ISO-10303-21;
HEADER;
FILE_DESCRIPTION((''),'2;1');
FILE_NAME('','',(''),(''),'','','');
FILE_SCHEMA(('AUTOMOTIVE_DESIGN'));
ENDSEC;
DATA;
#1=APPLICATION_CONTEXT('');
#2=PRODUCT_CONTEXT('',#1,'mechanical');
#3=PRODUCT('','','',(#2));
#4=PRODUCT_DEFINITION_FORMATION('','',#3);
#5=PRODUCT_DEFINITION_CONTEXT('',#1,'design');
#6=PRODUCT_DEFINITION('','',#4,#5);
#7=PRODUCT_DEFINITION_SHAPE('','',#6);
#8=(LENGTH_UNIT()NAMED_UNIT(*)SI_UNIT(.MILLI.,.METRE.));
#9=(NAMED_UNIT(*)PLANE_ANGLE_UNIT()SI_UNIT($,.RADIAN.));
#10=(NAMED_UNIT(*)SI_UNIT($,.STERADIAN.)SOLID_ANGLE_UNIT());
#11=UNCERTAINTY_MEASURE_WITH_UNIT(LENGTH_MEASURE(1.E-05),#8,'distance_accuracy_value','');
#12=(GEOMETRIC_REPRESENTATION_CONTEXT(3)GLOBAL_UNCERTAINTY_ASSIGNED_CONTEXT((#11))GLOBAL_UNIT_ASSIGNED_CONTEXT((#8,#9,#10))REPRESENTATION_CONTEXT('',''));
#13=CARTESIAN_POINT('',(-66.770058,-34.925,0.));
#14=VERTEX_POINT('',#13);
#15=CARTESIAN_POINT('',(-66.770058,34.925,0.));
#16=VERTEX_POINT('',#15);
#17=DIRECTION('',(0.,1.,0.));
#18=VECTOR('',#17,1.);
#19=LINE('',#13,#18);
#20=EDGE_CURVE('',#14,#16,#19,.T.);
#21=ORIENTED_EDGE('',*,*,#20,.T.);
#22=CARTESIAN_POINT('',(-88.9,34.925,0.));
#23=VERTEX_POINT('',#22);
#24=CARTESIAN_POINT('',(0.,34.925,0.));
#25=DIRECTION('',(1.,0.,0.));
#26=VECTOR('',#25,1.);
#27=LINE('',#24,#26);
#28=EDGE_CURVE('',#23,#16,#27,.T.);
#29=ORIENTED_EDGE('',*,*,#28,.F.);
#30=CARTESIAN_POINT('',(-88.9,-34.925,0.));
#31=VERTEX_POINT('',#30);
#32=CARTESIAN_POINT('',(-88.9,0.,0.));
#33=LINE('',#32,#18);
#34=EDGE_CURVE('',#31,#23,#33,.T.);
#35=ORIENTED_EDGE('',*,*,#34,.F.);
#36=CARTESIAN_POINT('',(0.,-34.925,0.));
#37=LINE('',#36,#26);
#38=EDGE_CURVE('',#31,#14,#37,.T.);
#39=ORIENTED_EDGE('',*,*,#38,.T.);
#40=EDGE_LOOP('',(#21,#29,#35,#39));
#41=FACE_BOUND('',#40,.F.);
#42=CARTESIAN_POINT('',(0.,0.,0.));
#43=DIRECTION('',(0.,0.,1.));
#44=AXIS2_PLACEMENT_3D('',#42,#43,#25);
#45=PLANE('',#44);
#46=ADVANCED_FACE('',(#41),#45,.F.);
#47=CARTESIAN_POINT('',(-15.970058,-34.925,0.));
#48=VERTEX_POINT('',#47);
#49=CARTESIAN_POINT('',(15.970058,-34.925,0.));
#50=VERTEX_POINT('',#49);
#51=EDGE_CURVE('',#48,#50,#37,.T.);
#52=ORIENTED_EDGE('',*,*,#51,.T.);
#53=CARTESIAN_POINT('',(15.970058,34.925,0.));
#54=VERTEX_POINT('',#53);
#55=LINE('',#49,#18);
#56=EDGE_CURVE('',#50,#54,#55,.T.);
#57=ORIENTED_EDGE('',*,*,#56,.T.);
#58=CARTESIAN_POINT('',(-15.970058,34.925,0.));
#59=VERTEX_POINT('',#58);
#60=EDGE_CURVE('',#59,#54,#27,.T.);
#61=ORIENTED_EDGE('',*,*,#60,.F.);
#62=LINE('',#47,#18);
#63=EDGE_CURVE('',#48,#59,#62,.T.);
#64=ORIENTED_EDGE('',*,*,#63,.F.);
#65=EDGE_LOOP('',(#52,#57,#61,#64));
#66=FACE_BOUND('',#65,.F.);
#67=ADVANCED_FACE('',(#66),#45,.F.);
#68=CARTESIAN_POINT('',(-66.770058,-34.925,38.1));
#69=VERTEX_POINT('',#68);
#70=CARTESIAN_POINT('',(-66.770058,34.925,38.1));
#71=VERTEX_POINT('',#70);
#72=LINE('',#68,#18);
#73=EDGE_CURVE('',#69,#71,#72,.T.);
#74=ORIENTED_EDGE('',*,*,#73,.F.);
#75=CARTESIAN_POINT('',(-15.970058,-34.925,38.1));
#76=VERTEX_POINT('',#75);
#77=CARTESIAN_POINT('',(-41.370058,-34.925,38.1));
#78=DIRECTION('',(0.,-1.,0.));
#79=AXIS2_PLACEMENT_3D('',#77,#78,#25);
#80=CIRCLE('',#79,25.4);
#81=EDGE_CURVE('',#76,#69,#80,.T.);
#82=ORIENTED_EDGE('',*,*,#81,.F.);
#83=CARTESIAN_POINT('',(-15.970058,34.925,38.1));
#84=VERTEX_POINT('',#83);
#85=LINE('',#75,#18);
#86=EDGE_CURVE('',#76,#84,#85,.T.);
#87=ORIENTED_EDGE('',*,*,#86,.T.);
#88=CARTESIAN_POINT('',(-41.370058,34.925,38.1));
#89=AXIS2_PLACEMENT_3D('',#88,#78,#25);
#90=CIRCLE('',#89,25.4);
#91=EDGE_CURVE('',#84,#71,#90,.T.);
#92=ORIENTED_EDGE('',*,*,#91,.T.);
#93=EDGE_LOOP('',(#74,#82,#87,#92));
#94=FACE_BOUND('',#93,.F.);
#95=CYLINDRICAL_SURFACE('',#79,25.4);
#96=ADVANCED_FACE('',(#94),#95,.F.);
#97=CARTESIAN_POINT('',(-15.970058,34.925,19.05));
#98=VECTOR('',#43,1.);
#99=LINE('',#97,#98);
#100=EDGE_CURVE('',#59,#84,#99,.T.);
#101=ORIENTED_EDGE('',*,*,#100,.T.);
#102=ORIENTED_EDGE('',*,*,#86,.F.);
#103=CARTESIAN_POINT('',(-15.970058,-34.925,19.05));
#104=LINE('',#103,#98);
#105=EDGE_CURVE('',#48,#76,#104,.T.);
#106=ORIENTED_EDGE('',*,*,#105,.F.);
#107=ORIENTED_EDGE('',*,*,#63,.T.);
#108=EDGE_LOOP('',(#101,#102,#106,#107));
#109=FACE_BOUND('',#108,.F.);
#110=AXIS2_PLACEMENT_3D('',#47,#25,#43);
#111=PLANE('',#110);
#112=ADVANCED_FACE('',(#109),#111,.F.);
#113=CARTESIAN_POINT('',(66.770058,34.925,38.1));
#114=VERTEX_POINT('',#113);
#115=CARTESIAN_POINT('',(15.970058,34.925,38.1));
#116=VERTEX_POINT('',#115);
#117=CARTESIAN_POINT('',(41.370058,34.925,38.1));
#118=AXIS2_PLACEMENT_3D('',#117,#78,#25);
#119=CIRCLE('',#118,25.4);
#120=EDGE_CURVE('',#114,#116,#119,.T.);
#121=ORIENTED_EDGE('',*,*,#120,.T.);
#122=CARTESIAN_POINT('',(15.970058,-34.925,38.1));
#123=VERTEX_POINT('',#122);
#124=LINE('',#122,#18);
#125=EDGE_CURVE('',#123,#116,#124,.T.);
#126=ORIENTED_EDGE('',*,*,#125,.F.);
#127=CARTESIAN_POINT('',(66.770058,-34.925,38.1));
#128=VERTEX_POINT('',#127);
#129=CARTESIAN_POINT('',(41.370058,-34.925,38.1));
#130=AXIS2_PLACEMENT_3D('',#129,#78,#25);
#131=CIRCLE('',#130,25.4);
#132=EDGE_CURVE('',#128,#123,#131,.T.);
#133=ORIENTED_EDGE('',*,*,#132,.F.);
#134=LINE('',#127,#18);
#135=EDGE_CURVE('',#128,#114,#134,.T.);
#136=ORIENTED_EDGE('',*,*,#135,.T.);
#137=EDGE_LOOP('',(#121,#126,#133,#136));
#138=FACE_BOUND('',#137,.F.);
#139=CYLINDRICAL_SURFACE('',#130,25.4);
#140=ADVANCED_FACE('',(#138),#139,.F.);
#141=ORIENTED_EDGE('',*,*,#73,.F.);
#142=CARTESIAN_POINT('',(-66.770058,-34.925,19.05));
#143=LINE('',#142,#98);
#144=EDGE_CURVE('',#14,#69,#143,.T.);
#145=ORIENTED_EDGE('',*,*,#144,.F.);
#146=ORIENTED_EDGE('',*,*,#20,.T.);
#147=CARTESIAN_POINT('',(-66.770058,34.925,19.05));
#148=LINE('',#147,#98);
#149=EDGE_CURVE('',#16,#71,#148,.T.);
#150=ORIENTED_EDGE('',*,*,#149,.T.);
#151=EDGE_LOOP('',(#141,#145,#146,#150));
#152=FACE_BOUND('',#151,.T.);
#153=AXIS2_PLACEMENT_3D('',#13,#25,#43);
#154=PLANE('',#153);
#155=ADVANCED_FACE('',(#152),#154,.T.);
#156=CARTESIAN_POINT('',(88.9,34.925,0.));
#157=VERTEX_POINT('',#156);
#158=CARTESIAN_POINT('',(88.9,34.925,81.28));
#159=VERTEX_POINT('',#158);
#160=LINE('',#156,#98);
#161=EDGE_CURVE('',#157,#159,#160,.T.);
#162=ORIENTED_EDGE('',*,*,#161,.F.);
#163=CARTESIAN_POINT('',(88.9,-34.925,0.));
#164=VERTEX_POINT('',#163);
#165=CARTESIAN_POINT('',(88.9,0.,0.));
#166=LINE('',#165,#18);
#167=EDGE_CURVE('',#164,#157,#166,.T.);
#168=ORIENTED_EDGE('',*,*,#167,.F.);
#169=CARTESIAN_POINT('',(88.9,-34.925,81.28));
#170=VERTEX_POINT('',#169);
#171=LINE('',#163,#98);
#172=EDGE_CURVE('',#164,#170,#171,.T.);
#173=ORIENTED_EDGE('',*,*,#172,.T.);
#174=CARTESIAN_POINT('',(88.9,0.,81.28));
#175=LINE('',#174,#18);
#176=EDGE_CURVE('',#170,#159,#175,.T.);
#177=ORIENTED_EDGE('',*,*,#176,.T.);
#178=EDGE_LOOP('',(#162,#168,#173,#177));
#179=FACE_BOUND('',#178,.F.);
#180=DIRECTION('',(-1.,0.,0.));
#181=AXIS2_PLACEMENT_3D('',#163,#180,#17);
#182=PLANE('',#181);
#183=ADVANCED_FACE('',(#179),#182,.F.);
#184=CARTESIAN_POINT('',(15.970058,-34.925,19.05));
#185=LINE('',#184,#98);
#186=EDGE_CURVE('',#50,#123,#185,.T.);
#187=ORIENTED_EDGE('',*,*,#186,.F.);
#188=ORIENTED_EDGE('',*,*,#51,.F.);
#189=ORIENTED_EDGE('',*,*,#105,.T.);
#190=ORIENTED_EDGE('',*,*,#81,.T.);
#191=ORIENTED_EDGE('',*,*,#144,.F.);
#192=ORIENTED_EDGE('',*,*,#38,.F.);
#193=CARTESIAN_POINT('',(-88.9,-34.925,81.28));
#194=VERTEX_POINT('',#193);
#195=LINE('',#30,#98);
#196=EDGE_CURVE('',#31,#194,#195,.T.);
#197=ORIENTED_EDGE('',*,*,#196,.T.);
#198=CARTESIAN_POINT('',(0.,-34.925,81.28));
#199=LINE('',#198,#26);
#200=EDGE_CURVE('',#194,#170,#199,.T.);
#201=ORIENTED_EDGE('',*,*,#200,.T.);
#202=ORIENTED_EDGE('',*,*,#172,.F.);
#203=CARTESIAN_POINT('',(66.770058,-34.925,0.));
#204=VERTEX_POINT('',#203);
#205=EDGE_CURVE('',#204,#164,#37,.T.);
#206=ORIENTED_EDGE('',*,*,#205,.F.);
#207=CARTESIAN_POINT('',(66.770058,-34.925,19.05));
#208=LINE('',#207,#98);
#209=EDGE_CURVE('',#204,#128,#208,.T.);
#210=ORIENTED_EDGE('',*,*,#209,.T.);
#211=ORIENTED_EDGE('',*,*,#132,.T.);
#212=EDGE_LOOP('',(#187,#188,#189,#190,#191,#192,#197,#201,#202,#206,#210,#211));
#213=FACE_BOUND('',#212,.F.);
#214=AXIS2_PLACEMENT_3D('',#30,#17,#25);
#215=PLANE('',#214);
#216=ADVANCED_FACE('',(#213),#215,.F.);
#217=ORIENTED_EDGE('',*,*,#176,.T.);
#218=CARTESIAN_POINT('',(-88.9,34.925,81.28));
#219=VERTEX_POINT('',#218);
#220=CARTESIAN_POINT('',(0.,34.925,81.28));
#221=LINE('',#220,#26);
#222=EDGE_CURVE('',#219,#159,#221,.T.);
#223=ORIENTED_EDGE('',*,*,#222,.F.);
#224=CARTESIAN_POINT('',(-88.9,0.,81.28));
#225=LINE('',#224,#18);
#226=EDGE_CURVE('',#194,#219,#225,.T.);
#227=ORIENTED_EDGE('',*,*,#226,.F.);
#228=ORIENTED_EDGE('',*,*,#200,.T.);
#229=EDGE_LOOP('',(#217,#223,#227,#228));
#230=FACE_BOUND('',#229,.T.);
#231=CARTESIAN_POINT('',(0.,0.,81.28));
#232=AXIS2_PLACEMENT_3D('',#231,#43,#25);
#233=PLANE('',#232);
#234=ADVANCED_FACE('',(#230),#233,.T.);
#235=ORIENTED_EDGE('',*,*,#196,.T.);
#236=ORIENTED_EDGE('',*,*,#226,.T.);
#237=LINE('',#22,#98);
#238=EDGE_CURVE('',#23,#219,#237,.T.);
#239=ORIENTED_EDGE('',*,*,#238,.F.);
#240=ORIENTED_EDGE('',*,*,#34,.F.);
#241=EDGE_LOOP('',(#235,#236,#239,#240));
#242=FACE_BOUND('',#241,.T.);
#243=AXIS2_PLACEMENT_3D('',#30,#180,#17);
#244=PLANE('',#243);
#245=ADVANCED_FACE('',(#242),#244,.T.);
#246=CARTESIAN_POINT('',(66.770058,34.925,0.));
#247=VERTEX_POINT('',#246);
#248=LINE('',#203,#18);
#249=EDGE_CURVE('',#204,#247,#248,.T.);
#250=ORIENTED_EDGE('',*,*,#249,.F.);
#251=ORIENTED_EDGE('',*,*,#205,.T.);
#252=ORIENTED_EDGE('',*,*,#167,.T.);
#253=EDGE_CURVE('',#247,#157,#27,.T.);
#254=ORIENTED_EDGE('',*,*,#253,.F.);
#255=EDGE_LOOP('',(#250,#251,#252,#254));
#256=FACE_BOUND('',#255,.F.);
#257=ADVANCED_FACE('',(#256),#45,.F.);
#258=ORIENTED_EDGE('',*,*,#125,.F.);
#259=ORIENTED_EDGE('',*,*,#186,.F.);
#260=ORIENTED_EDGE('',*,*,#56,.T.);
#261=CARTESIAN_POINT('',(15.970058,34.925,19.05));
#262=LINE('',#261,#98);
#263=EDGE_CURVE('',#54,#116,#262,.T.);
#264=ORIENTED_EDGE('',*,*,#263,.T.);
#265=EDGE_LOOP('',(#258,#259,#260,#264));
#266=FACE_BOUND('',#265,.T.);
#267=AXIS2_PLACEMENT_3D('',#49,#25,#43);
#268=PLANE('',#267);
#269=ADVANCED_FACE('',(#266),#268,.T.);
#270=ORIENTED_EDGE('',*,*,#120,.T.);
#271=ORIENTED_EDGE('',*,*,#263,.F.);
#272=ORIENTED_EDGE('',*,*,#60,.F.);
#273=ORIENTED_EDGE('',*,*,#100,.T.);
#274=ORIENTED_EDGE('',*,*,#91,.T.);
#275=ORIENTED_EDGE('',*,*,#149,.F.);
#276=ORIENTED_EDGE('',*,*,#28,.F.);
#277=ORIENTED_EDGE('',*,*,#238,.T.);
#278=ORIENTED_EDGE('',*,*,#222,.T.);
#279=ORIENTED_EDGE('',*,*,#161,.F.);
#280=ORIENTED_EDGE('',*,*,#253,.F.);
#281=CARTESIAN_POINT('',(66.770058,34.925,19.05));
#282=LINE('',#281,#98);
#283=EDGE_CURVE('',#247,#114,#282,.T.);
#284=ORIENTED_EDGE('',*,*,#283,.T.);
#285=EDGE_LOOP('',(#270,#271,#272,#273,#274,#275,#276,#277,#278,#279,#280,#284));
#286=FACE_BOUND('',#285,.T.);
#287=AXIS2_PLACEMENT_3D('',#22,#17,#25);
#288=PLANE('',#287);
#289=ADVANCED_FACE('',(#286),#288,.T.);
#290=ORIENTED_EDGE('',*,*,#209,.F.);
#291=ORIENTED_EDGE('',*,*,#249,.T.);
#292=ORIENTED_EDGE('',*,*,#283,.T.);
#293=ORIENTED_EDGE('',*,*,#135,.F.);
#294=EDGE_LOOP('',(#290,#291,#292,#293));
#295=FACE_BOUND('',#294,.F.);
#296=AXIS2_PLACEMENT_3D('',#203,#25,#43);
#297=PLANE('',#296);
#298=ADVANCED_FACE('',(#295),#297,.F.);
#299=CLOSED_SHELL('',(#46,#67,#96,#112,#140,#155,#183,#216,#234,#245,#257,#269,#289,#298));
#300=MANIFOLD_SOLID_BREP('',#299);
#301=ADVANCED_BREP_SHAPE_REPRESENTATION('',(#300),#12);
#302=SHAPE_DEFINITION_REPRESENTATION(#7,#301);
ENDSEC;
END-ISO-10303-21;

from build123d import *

# Parameters (mm, degrees)
F0_W     = 177.8
F0_H     = 69.85
F1_DEPTH = 81.28
F3_W     = 50.8
F3_H     = 38.1
F4_DEPTH = 69.85
F5_DEPTH = 69.85


with BuildPart() as f1:
    # F0 (on Top) → F1 (new body)
    with BuildSketch(Plane.XY):
        Rectangle(F0_W, F0_H)
    extrude(amount=F1_DEPTH)

    # F3 (on offset) → F4 (cut)
    with BuildSketch(Plane.XZ.offset(34.925)):
        with BuildLine():
            ThreePointArc((-15.970058, 38.1), (-41.370058, 63.5), (-66.770058, 38.1))
            Line((-66.770058, 38.1), (-15.970058, 38.1))
        make_face()
        with Locations((-41.370058, 19.05)):
            Rectangle(F3_W, F3_H)
    extrude(amount=-F4_DEPTH, mode=Mode.SUBTRACT)

    # F3 (on offset) → F5 (cut)
    with BuildSketch(Plane.XZ.offset(34.925)):
        with Locations((41.370058, 19.05)):
            Rectangle(F3_W, F3_H)
        with BuildLine():
            Line((15.970058, 38.1), (66.770058, 38.1))
            ThreePointArc((66.770058, 38.1), (41.370058, 63.5), (15.970058, 38.1))
        make_face()
    extrude(amount=-F5_DEPTH, mode=Mode.SUBTRACT)


solid = f1.part
